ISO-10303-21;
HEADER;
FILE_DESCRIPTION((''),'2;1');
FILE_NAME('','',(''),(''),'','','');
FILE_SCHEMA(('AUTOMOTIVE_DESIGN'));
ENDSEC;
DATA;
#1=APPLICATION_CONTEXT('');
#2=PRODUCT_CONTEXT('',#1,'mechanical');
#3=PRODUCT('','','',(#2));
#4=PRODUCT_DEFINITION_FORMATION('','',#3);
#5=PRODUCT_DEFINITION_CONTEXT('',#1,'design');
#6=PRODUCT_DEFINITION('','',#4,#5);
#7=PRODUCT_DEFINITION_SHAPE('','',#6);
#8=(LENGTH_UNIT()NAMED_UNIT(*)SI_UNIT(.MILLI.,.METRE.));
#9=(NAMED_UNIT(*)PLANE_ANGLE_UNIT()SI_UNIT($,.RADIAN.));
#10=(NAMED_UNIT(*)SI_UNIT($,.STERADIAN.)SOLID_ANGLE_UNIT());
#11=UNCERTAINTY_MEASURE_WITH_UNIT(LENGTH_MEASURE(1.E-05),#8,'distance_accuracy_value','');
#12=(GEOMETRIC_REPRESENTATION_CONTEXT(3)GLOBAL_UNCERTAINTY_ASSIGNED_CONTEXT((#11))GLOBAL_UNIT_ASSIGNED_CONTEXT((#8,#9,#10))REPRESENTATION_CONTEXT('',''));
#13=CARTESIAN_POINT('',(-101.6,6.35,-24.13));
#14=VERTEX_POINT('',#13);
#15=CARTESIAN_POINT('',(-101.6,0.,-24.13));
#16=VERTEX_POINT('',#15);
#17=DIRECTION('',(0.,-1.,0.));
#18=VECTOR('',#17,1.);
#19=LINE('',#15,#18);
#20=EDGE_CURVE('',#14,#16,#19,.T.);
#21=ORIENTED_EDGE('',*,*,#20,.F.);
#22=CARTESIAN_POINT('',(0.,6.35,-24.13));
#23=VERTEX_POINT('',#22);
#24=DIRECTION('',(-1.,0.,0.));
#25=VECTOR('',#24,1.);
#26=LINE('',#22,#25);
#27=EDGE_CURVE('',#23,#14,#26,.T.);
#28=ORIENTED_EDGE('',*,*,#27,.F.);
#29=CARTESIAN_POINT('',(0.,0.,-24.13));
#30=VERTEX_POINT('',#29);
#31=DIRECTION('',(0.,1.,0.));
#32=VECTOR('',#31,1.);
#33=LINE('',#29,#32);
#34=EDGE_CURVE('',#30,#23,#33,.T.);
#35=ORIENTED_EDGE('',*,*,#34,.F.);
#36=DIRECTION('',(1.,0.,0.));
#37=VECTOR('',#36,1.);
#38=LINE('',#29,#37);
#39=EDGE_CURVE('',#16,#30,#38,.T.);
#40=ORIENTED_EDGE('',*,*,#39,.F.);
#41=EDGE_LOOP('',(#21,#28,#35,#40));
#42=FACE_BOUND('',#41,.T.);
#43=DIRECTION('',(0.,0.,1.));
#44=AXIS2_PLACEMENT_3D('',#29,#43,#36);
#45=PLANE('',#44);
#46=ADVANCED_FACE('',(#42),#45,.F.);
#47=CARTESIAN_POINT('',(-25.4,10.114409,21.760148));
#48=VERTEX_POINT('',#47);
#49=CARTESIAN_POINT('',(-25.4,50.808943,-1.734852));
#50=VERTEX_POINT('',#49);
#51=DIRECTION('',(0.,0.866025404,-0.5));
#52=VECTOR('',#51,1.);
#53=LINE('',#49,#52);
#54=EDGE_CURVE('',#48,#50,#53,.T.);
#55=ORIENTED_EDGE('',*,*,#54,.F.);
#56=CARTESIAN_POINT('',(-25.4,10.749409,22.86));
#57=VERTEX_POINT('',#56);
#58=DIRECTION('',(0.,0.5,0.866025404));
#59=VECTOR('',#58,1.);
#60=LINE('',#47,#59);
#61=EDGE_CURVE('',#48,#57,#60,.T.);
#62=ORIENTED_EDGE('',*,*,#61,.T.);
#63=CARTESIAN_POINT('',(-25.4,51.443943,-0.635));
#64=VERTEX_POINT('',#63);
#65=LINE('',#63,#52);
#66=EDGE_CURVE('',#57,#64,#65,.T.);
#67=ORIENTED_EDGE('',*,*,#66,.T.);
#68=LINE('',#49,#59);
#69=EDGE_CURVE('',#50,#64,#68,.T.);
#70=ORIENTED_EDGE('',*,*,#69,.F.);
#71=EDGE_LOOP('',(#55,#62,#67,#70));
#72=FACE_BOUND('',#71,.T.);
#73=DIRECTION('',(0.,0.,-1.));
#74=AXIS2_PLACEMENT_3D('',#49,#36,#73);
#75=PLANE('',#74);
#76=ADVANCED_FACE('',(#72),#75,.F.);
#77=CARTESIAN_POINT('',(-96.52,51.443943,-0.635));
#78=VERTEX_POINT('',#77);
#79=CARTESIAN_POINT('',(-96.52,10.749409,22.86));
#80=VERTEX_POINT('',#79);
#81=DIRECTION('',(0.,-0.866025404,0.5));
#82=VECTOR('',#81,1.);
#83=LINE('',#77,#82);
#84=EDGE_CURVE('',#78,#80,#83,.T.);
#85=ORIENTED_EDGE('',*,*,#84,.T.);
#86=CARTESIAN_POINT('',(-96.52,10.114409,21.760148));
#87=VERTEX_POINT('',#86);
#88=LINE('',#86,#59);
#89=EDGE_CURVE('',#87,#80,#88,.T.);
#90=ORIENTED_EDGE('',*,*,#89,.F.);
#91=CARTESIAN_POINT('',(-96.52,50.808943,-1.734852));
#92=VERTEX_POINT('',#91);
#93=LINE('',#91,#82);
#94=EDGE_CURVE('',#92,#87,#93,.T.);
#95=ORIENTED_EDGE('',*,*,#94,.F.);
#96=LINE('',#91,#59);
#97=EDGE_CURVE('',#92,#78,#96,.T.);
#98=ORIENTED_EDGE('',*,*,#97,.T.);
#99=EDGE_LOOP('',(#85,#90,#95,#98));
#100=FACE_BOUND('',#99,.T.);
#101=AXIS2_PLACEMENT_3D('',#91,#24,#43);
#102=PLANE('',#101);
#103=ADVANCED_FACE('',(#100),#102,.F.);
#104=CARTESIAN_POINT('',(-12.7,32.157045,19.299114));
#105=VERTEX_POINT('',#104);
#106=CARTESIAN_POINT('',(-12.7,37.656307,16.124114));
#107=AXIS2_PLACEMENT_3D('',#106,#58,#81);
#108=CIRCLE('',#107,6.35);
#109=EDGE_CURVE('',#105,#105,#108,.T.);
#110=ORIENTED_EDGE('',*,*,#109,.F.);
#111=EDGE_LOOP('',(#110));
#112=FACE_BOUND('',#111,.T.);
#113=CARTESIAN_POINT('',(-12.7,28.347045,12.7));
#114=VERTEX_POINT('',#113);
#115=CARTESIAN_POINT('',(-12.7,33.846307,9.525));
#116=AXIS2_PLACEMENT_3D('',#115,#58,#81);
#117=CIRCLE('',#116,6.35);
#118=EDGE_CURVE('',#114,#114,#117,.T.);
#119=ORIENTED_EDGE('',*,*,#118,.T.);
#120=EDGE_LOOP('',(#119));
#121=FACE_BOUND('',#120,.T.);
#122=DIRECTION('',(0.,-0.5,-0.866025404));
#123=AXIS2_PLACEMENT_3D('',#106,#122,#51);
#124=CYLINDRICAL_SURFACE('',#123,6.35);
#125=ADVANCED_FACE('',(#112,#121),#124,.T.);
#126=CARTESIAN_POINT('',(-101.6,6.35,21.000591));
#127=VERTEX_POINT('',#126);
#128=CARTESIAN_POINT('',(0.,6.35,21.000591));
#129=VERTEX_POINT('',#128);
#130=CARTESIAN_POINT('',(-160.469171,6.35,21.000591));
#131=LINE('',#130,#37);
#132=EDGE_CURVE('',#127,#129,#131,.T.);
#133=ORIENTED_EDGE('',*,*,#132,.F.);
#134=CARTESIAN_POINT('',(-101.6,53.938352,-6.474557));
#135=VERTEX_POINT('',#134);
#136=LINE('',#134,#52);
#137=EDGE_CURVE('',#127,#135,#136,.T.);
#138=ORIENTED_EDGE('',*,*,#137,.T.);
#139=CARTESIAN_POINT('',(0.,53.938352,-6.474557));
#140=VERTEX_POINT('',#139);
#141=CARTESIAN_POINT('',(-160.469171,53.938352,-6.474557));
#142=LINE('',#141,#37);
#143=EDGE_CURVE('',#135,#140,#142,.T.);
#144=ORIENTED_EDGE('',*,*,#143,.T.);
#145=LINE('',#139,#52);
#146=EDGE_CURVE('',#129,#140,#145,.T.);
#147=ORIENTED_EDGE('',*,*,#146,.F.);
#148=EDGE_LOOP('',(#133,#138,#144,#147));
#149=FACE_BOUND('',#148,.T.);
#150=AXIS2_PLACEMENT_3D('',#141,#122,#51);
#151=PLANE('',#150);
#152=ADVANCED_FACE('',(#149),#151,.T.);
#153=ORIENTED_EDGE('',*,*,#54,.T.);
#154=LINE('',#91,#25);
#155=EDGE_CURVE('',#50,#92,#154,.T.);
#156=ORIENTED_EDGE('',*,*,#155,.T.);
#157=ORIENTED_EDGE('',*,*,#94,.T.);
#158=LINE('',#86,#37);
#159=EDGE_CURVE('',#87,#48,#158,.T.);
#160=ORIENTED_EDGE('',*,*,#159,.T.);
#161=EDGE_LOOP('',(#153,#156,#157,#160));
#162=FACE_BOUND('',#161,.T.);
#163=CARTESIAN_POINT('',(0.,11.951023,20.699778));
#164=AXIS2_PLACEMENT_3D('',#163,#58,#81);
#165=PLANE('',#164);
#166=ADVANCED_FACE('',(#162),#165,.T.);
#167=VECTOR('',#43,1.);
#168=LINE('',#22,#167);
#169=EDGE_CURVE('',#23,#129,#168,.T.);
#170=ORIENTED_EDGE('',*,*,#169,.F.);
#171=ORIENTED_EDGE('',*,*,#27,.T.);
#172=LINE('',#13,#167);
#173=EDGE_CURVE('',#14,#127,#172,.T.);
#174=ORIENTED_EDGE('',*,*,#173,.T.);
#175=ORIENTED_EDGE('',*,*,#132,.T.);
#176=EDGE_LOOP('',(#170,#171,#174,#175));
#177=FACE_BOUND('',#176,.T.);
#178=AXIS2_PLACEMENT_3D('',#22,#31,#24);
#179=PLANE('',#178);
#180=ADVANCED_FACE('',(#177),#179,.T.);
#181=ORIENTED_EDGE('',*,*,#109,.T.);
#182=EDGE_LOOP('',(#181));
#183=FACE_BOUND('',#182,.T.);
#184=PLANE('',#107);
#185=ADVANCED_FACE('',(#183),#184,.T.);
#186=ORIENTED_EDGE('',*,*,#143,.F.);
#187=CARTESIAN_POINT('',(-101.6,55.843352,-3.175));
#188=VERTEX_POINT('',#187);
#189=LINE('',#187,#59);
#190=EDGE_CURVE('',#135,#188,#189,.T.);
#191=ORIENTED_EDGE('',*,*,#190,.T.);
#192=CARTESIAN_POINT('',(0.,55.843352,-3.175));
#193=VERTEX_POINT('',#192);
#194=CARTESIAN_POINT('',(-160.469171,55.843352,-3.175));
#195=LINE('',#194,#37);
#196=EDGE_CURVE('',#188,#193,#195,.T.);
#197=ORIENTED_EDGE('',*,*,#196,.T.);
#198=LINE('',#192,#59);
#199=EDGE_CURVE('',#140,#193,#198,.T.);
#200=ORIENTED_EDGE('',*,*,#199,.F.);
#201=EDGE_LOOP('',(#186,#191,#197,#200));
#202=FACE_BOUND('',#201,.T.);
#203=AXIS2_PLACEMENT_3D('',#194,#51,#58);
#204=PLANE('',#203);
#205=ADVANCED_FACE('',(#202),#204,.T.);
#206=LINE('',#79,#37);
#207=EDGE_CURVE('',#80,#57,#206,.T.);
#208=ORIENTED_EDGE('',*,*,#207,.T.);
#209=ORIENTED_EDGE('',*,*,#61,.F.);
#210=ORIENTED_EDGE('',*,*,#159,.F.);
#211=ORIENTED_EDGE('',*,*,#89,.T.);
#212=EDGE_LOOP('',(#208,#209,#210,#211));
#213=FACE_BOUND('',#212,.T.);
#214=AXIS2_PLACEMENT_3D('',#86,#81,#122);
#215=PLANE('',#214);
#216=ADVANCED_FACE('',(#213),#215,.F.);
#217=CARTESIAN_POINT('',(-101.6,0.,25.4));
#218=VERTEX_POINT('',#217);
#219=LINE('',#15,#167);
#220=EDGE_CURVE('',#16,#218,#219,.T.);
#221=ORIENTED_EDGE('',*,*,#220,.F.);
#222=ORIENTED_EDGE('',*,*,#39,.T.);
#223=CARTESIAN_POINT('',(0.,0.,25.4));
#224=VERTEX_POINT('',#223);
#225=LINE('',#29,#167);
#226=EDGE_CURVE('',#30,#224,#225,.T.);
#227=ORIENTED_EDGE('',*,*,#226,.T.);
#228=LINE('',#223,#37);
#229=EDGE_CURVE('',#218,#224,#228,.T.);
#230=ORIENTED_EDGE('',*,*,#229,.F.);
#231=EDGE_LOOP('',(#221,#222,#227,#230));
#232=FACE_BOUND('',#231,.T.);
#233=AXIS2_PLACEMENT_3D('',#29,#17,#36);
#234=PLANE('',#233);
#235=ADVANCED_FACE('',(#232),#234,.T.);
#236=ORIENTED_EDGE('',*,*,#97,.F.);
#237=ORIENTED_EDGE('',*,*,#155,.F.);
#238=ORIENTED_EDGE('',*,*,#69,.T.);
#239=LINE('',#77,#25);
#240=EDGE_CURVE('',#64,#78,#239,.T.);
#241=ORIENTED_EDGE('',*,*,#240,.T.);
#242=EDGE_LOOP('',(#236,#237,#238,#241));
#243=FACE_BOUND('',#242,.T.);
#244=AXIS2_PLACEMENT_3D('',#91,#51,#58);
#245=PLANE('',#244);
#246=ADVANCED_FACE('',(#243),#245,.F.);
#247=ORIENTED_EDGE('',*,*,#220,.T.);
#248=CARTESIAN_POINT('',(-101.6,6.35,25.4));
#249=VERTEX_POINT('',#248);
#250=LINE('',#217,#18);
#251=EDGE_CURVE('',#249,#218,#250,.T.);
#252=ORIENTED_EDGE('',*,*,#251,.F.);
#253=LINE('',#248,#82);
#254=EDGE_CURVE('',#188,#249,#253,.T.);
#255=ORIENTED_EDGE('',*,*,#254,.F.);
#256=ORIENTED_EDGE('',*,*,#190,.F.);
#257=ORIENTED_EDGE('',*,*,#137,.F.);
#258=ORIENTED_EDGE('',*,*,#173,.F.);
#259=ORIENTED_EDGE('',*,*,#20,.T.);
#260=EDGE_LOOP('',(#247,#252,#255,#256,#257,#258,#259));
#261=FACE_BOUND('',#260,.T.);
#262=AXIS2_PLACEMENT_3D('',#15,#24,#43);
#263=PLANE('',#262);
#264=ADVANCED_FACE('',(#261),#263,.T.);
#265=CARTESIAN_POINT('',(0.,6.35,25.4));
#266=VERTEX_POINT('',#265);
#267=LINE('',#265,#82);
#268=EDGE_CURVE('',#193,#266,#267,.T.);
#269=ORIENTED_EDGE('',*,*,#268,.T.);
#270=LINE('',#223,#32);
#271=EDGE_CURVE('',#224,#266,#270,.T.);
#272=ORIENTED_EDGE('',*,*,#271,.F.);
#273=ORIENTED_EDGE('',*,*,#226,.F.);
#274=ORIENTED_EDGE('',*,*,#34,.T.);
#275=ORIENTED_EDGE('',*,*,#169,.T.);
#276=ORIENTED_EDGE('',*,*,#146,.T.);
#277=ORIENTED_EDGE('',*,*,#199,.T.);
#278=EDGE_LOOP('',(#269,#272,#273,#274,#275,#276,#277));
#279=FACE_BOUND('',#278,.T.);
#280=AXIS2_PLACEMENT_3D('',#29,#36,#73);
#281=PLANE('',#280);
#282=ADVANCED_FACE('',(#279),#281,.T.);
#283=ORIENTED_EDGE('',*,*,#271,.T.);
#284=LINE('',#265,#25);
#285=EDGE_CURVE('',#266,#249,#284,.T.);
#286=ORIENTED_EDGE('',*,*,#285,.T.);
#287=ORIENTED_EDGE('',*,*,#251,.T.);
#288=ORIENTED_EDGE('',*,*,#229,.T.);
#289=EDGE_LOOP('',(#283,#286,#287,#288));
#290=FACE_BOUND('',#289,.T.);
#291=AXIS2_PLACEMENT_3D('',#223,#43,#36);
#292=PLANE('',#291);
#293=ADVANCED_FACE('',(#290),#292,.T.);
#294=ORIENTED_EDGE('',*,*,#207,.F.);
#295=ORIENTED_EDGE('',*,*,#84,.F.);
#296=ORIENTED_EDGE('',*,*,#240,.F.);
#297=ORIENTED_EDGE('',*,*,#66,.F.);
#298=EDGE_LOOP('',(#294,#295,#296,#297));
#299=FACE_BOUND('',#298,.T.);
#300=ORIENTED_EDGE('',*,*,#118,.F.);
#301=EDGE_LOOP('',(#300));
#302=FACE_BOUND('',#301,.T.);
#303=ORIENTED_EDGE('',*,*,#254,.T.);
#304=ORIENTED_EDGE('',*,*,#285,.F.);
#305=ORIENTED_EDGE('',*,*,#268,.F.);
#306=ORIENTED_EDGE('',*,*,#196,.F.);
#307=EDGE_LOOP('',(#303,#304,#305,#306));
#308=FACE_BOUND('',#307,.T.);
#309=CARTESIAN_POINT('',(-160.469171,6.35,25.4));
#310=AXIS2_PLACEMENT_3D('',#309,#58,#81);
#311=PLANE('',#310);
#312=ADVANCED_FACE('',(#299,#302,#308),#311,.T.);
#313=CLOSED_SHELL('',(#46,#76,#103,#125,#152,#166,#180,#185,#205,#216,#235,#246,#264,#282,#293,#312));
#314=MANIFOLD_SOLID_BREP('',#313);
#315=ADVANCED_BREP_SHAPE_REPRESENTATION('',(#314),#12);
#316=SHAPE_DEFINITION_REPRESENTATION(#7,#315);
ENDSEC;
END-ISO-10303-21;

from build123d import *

# Parameters (mm, degrees)
SKETCH1_W                = 101.6
SKETCH1_H                = 6.35
BOSS_EXTRUDE1_DEPTH      = 25.4
BOSS_EXTRUDE1_DEPTH_BACK = 24.13
BOSS_EXTRUDE2_DEPTH      = 101.6
SKETCH3_W                = 71.12
SKETCH3_H                = 46.99
CUT_EXTRUDE1_DEPTH       = 1.27
SKETCH4_R                = 6.35
BOSS_EXTRUDE3_DEPTH      = 7.62


with BuildPart() as part:
    # Sketch1 → Boss-Extrude1 (new body, two sides)
    with BuildSketch(Plane.XY) as boss_extrude1_sk:
        with Locations((-50.8, 3.175)):
            Rectangle(SKETCH1_W, SKETCH1_H)
    extrude(amount=BOSS_EXTRUDE1_DEPTH)
    extrude(boss_extrude1_sk.sketch, amount=-BOSS_EXTRUDE1_DEPTH_BACK)

    # Sketch2 → Boss-Extrude2 (add)
    with BuildSketch(Plane(origin=(0, 0, 0), x_dir=(0, 0, -1), z_dir=(1, 0, 0))):
        Polygon((-25.4, 6.35), (3.175, 55.843351826), (6.474556788, 53.938351826), (-21.000590949, 6.35), align=None)
    extrude(amount=-BOSS_EXTRUDE2_DEPTH)

    # Sketch3 → Cut-Extrude1 (cut)
    with BuildSketch(Plane(origin=(0, 12.586022628, 21.799630657), x_dir=(1, 0, 0), z_dir=(0, 0.5, 0.866025404))):
        with Locations((-60.96, 21.374261314)):
            Rectangle(SKETCH3_W, SKETCH3_H)
    extrude(amount=-CUT_EXTRUDE1_DEPTH, mode=Mode.SUBTRACT)

    # Sketch4 → Boss-Extrude3 (add)
    with BuildSketch(Plane(origin=(0, 12.586022628, 21.799630657), x_dir=(1, 0, 0), z_dir=(0, 0.5, 0.866025404))):
        with Locations((-12.7, 24.549261314)):
            Circle(SKETCH4_R)
    extrude(amount=BOSS_EXTRUDE3_DEPTH)


solid = part.part
